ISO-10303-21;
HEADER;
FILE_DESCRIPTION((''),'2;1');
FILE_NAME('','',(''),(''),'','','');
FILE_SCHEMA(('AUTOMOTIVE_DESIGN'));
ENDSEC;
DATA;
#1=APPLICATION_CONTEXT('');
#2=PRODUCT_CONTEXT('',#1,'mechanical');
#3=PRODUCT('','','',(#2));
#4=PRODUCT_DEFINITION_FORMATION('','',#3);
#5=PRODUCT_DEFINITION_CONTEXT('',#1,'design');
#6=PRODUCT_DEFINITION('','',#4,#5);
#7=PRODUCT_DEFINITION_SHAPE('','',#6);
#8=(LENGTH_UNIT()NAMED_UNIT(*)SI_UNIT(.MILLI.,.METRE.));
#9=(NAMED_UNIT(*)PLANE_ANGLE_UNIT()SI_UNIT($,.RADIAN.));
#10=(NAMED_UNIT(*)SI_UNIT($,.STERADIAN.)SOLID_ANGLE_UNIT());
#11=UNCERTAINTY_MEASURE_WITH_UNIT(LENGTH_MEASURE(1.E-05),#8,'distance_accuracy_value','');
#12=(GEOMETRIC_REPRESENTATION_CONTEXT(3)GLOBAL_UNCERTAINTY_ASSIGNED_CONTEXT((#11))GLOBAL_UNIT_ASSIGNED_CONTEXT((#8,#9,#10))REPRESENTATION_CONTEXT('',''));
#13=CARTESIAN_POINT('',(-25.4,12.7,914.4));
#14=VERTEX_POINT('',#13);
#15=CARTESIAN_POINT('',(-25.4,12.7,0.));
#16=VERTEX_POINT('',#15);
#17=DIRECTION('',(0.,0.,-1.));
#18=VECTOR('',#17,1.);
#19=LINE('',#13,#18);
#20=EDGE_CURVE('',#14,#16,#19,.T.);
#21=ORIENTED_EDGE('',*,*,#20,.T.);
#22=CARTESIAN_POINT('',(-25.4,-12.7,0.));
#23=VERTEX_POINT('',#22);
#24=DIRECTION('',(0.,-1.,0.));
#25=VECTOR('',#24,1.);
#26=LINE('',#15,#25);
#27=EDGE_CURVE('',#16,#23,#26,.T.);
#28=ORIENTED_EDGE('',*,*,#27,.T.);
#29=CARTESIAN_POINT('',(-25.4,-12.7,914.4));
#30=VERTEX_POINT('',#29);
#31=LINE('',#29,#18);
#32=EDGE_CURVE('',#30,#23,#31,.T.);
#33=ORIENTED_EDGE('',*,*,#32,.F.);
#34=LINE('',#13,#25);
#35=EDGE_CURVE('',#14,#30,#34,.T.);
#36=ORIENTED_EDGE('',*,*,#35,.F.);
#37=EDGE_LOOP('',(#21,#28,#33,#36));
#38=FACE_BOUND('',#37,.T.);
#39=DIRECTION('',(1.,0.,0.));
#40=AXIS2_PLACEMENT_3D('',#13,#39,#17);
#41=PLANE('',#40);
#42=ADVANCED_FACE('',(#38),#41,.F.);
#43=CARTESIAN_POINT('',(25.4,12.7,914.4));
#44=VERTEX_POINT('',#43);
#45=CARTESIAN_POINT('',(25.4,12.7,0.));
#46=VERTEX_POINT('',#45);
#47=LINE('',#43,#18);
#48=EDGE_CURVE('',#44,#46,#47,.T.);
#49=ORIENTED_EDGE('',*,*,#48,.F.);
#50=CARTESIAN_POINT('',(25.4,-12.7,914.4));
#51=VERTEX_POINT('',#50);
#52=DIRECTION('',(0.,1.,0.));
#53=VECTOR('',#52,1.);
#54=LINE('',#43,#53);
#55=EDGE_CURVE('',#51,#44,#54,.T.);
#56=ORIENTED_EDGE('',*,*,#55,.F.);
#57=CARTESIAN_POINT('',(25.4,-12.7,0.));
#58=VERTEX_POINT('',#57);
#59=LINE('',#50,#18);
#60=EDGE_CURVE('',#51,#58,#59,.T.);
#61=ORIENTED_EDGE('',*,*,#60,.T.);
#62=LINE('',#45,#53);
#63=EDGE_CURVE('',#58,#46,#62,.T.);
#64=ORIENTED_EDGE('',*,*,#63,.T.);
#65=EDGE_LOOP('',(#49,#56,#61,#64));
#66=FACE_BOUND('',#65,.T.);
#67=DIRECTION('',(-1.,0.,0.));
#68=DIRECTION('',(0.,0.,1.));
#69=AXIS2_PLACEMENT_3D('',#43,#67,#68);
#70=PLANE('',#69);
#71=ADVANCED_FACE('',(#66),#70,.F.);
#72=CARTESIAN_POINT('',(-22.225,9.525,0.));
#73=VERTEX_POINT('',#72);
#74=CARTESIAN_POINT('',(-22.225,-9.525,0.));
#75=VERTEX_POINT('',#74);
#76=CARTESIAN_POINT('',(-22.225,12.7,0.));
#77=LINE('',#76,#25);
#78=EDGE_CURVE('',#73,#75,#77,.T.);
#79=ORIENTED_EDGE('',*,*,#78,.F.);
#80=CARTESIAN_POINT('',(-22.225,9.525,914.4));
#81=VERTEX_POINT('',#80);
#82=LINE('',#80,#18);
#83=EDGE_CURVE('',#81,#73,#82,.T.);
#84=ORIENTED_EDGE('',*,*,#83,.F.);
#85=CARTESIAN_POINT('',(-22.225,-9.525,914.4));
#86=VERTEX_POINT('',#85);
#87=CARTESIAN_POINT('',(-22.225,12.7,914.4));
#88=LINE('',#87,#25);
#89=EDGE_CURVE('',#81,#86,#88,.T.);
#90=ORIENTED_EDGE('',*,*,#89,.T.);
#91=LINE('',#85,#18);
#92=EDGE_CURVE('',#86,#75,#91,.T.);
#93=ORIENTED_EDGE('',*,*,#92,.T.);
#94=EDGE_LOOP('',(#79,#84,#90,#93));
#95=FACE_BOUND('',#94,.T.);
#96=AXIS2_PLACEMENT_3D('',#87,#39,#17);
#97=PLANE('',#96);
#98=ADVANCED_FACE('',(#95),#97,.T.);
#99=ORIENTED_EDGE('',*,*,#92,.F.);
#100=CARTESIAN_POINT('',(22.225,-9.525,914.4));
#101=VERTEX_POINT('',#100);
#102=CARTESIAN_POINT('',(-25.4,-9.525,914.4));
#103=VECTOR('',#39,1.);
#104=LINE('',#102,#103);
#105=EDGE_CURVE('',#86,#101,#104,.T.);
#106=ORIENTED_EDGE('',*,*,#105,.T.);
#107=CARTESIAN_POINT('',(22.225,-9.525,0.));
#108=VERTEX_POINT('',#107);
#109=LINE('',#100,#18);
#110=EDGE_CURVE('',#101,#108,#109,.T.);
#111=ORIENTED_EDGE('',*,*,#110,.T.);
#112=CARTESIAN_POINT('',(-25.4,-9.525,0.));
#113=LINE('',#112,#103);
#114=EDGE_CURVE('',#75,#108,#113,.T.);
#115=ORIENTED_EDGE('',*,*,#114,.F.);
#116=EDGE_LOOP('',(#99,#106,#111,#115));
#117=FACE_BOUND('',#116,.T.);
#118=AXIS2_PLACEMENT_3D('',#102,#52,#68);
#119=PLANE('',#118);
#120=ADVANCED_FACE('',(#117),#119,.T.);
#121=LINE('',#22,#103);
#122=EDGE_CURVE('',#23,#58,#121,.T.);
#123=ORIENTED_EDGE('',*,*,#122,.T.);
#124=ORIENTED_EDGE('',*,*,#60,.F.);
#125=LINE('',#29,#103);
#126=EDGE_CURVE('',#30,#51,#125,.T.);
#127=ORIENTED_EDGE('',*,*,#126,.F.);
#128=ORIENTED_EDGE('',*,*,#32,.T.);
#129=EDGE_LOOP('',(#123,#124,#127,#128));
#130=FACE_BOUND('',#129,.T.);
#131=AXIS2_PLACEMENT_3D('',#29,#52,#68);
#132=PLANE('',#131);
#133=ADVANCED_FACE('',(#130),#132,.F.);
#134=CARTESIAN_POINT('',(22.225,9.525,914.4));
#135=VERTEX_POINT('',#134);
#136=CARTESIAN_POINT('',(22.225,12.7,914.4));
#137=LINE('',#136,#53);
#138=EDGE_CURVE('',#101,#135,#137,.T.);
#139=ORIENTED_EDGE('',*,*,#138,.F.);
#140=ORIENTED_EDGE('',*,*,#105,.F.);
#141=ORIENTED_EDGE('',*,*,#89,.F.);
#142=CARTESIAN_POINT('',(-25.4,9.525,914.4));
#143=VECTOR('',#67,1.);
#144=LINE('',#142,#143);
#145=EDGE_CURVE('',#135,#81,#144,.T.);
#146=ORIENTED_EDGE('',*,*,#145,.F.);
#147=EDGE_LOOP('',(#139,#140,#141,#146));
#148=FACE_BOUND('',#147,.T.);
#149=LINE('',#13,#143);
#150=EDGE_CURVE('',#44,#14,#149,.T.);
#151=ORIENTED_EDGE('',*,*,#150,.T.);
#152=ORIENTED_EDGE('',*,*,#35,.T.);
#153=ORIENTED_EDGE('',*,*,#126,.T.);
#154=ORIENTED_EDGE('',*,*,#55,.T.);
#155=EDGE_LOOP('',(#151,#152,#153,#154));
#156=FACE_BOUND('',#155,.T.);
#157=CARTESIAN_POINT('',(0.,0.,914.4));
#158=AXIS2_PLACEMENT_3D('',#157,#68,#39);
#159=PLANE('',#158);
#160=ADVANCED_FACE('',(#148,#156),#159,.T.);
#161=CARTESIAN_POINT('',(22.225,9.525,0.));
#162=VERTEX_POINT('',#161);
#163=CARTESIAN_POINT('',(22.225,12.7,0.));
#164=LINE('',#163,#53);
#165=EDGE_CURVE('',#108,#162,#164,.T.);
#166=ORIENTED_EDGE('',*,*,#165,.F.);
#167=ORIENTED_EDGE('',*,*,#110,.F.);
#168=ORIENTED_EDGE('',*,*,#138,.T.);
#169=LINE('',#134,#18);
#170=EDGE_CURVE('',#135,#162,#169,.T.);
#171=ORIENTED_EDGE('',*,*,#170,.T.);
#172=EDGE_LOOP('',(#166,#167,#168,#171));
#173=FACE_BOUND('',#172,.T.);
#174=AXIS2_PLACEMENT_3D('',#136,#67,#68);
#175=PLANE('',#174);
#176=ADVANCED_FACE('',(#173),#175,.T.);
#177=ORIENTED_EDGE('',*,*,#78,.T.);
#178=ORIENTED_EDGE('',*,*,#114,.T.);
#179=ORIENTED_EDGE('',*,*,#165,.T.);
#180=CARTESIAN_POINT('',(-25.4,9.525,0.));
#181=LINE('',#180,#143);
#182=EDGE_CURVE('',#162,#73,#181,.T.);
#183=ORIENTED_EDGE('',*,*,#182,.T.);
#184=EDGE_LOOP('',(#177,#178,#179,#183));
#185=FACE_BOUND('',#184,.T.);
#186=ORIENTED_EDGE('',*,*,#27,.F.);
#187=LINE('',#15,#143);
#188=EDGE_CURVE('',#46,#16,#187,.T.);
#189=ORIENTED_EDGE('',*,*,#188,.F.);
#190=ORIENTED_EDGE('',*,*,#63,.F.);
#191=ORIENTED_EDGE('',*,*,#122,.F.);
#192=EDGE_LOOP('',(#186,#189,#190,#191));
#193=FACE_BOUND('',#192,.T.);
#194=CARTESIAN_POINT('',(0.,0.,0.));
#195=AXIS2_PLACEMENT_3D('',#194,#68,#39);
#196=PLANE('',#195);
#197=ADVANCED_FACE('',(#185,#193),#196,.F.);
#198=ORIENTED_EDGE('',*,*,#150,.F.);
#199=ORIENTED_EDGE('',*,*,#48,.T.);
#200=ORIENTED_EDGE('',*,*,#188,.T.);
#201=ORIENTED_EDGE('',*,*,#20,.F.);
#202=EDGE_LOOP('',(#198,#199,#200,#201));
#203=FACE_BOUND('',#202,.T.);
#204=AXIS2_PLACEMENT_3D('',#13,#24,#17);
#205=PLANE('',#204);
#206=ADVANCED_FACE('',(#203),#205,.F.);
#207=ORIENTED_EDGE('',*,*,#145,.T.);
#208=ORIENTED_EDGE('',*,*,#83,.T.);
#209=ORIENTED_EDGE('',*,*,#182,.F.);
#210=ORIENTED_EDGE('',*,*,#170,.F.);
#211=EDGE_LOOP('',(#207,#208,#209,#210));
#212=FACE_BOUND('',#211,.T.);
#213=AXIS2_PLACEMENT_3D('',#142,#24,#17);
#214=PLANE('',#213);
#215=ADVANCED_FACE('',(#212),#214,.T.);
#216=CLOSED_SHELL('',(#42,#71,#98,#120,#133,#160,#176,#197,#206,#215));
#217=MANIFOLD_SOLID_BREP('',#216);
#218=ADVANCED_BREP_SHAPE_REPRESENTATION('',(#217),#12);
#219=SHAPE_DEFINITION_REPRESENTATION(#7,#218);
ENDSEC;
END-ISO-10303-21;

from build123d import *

# Parameters (mm, degrees)
SKETCH1_W           = 50.8
SKETCH1_H           = 25.4
BOSS_EXTRUDE1_DEPTH = 914.4
SHELL1_T            = -3.175


with BuildPart() as part:
    # Sketch1 → Boss-Extrude1 (new body)
    with BuildSketch(Plane.XY):
        Rectangle(SKETCH1_W, SKETCH1_H)
    extrude(amount=BOSS_EXTRUDE1_DEPTH)

    # Shell1
    shell1_openings = [part.faces().sort_by_distance(p)[0] for p in [
        (0, 0, 914.4),
        (0, 0, 0),
    ]]
    offset(amount=SHELL1_T, openings=shell1_openings, kind=Kind.INTERSECTION)


solid = part.part
